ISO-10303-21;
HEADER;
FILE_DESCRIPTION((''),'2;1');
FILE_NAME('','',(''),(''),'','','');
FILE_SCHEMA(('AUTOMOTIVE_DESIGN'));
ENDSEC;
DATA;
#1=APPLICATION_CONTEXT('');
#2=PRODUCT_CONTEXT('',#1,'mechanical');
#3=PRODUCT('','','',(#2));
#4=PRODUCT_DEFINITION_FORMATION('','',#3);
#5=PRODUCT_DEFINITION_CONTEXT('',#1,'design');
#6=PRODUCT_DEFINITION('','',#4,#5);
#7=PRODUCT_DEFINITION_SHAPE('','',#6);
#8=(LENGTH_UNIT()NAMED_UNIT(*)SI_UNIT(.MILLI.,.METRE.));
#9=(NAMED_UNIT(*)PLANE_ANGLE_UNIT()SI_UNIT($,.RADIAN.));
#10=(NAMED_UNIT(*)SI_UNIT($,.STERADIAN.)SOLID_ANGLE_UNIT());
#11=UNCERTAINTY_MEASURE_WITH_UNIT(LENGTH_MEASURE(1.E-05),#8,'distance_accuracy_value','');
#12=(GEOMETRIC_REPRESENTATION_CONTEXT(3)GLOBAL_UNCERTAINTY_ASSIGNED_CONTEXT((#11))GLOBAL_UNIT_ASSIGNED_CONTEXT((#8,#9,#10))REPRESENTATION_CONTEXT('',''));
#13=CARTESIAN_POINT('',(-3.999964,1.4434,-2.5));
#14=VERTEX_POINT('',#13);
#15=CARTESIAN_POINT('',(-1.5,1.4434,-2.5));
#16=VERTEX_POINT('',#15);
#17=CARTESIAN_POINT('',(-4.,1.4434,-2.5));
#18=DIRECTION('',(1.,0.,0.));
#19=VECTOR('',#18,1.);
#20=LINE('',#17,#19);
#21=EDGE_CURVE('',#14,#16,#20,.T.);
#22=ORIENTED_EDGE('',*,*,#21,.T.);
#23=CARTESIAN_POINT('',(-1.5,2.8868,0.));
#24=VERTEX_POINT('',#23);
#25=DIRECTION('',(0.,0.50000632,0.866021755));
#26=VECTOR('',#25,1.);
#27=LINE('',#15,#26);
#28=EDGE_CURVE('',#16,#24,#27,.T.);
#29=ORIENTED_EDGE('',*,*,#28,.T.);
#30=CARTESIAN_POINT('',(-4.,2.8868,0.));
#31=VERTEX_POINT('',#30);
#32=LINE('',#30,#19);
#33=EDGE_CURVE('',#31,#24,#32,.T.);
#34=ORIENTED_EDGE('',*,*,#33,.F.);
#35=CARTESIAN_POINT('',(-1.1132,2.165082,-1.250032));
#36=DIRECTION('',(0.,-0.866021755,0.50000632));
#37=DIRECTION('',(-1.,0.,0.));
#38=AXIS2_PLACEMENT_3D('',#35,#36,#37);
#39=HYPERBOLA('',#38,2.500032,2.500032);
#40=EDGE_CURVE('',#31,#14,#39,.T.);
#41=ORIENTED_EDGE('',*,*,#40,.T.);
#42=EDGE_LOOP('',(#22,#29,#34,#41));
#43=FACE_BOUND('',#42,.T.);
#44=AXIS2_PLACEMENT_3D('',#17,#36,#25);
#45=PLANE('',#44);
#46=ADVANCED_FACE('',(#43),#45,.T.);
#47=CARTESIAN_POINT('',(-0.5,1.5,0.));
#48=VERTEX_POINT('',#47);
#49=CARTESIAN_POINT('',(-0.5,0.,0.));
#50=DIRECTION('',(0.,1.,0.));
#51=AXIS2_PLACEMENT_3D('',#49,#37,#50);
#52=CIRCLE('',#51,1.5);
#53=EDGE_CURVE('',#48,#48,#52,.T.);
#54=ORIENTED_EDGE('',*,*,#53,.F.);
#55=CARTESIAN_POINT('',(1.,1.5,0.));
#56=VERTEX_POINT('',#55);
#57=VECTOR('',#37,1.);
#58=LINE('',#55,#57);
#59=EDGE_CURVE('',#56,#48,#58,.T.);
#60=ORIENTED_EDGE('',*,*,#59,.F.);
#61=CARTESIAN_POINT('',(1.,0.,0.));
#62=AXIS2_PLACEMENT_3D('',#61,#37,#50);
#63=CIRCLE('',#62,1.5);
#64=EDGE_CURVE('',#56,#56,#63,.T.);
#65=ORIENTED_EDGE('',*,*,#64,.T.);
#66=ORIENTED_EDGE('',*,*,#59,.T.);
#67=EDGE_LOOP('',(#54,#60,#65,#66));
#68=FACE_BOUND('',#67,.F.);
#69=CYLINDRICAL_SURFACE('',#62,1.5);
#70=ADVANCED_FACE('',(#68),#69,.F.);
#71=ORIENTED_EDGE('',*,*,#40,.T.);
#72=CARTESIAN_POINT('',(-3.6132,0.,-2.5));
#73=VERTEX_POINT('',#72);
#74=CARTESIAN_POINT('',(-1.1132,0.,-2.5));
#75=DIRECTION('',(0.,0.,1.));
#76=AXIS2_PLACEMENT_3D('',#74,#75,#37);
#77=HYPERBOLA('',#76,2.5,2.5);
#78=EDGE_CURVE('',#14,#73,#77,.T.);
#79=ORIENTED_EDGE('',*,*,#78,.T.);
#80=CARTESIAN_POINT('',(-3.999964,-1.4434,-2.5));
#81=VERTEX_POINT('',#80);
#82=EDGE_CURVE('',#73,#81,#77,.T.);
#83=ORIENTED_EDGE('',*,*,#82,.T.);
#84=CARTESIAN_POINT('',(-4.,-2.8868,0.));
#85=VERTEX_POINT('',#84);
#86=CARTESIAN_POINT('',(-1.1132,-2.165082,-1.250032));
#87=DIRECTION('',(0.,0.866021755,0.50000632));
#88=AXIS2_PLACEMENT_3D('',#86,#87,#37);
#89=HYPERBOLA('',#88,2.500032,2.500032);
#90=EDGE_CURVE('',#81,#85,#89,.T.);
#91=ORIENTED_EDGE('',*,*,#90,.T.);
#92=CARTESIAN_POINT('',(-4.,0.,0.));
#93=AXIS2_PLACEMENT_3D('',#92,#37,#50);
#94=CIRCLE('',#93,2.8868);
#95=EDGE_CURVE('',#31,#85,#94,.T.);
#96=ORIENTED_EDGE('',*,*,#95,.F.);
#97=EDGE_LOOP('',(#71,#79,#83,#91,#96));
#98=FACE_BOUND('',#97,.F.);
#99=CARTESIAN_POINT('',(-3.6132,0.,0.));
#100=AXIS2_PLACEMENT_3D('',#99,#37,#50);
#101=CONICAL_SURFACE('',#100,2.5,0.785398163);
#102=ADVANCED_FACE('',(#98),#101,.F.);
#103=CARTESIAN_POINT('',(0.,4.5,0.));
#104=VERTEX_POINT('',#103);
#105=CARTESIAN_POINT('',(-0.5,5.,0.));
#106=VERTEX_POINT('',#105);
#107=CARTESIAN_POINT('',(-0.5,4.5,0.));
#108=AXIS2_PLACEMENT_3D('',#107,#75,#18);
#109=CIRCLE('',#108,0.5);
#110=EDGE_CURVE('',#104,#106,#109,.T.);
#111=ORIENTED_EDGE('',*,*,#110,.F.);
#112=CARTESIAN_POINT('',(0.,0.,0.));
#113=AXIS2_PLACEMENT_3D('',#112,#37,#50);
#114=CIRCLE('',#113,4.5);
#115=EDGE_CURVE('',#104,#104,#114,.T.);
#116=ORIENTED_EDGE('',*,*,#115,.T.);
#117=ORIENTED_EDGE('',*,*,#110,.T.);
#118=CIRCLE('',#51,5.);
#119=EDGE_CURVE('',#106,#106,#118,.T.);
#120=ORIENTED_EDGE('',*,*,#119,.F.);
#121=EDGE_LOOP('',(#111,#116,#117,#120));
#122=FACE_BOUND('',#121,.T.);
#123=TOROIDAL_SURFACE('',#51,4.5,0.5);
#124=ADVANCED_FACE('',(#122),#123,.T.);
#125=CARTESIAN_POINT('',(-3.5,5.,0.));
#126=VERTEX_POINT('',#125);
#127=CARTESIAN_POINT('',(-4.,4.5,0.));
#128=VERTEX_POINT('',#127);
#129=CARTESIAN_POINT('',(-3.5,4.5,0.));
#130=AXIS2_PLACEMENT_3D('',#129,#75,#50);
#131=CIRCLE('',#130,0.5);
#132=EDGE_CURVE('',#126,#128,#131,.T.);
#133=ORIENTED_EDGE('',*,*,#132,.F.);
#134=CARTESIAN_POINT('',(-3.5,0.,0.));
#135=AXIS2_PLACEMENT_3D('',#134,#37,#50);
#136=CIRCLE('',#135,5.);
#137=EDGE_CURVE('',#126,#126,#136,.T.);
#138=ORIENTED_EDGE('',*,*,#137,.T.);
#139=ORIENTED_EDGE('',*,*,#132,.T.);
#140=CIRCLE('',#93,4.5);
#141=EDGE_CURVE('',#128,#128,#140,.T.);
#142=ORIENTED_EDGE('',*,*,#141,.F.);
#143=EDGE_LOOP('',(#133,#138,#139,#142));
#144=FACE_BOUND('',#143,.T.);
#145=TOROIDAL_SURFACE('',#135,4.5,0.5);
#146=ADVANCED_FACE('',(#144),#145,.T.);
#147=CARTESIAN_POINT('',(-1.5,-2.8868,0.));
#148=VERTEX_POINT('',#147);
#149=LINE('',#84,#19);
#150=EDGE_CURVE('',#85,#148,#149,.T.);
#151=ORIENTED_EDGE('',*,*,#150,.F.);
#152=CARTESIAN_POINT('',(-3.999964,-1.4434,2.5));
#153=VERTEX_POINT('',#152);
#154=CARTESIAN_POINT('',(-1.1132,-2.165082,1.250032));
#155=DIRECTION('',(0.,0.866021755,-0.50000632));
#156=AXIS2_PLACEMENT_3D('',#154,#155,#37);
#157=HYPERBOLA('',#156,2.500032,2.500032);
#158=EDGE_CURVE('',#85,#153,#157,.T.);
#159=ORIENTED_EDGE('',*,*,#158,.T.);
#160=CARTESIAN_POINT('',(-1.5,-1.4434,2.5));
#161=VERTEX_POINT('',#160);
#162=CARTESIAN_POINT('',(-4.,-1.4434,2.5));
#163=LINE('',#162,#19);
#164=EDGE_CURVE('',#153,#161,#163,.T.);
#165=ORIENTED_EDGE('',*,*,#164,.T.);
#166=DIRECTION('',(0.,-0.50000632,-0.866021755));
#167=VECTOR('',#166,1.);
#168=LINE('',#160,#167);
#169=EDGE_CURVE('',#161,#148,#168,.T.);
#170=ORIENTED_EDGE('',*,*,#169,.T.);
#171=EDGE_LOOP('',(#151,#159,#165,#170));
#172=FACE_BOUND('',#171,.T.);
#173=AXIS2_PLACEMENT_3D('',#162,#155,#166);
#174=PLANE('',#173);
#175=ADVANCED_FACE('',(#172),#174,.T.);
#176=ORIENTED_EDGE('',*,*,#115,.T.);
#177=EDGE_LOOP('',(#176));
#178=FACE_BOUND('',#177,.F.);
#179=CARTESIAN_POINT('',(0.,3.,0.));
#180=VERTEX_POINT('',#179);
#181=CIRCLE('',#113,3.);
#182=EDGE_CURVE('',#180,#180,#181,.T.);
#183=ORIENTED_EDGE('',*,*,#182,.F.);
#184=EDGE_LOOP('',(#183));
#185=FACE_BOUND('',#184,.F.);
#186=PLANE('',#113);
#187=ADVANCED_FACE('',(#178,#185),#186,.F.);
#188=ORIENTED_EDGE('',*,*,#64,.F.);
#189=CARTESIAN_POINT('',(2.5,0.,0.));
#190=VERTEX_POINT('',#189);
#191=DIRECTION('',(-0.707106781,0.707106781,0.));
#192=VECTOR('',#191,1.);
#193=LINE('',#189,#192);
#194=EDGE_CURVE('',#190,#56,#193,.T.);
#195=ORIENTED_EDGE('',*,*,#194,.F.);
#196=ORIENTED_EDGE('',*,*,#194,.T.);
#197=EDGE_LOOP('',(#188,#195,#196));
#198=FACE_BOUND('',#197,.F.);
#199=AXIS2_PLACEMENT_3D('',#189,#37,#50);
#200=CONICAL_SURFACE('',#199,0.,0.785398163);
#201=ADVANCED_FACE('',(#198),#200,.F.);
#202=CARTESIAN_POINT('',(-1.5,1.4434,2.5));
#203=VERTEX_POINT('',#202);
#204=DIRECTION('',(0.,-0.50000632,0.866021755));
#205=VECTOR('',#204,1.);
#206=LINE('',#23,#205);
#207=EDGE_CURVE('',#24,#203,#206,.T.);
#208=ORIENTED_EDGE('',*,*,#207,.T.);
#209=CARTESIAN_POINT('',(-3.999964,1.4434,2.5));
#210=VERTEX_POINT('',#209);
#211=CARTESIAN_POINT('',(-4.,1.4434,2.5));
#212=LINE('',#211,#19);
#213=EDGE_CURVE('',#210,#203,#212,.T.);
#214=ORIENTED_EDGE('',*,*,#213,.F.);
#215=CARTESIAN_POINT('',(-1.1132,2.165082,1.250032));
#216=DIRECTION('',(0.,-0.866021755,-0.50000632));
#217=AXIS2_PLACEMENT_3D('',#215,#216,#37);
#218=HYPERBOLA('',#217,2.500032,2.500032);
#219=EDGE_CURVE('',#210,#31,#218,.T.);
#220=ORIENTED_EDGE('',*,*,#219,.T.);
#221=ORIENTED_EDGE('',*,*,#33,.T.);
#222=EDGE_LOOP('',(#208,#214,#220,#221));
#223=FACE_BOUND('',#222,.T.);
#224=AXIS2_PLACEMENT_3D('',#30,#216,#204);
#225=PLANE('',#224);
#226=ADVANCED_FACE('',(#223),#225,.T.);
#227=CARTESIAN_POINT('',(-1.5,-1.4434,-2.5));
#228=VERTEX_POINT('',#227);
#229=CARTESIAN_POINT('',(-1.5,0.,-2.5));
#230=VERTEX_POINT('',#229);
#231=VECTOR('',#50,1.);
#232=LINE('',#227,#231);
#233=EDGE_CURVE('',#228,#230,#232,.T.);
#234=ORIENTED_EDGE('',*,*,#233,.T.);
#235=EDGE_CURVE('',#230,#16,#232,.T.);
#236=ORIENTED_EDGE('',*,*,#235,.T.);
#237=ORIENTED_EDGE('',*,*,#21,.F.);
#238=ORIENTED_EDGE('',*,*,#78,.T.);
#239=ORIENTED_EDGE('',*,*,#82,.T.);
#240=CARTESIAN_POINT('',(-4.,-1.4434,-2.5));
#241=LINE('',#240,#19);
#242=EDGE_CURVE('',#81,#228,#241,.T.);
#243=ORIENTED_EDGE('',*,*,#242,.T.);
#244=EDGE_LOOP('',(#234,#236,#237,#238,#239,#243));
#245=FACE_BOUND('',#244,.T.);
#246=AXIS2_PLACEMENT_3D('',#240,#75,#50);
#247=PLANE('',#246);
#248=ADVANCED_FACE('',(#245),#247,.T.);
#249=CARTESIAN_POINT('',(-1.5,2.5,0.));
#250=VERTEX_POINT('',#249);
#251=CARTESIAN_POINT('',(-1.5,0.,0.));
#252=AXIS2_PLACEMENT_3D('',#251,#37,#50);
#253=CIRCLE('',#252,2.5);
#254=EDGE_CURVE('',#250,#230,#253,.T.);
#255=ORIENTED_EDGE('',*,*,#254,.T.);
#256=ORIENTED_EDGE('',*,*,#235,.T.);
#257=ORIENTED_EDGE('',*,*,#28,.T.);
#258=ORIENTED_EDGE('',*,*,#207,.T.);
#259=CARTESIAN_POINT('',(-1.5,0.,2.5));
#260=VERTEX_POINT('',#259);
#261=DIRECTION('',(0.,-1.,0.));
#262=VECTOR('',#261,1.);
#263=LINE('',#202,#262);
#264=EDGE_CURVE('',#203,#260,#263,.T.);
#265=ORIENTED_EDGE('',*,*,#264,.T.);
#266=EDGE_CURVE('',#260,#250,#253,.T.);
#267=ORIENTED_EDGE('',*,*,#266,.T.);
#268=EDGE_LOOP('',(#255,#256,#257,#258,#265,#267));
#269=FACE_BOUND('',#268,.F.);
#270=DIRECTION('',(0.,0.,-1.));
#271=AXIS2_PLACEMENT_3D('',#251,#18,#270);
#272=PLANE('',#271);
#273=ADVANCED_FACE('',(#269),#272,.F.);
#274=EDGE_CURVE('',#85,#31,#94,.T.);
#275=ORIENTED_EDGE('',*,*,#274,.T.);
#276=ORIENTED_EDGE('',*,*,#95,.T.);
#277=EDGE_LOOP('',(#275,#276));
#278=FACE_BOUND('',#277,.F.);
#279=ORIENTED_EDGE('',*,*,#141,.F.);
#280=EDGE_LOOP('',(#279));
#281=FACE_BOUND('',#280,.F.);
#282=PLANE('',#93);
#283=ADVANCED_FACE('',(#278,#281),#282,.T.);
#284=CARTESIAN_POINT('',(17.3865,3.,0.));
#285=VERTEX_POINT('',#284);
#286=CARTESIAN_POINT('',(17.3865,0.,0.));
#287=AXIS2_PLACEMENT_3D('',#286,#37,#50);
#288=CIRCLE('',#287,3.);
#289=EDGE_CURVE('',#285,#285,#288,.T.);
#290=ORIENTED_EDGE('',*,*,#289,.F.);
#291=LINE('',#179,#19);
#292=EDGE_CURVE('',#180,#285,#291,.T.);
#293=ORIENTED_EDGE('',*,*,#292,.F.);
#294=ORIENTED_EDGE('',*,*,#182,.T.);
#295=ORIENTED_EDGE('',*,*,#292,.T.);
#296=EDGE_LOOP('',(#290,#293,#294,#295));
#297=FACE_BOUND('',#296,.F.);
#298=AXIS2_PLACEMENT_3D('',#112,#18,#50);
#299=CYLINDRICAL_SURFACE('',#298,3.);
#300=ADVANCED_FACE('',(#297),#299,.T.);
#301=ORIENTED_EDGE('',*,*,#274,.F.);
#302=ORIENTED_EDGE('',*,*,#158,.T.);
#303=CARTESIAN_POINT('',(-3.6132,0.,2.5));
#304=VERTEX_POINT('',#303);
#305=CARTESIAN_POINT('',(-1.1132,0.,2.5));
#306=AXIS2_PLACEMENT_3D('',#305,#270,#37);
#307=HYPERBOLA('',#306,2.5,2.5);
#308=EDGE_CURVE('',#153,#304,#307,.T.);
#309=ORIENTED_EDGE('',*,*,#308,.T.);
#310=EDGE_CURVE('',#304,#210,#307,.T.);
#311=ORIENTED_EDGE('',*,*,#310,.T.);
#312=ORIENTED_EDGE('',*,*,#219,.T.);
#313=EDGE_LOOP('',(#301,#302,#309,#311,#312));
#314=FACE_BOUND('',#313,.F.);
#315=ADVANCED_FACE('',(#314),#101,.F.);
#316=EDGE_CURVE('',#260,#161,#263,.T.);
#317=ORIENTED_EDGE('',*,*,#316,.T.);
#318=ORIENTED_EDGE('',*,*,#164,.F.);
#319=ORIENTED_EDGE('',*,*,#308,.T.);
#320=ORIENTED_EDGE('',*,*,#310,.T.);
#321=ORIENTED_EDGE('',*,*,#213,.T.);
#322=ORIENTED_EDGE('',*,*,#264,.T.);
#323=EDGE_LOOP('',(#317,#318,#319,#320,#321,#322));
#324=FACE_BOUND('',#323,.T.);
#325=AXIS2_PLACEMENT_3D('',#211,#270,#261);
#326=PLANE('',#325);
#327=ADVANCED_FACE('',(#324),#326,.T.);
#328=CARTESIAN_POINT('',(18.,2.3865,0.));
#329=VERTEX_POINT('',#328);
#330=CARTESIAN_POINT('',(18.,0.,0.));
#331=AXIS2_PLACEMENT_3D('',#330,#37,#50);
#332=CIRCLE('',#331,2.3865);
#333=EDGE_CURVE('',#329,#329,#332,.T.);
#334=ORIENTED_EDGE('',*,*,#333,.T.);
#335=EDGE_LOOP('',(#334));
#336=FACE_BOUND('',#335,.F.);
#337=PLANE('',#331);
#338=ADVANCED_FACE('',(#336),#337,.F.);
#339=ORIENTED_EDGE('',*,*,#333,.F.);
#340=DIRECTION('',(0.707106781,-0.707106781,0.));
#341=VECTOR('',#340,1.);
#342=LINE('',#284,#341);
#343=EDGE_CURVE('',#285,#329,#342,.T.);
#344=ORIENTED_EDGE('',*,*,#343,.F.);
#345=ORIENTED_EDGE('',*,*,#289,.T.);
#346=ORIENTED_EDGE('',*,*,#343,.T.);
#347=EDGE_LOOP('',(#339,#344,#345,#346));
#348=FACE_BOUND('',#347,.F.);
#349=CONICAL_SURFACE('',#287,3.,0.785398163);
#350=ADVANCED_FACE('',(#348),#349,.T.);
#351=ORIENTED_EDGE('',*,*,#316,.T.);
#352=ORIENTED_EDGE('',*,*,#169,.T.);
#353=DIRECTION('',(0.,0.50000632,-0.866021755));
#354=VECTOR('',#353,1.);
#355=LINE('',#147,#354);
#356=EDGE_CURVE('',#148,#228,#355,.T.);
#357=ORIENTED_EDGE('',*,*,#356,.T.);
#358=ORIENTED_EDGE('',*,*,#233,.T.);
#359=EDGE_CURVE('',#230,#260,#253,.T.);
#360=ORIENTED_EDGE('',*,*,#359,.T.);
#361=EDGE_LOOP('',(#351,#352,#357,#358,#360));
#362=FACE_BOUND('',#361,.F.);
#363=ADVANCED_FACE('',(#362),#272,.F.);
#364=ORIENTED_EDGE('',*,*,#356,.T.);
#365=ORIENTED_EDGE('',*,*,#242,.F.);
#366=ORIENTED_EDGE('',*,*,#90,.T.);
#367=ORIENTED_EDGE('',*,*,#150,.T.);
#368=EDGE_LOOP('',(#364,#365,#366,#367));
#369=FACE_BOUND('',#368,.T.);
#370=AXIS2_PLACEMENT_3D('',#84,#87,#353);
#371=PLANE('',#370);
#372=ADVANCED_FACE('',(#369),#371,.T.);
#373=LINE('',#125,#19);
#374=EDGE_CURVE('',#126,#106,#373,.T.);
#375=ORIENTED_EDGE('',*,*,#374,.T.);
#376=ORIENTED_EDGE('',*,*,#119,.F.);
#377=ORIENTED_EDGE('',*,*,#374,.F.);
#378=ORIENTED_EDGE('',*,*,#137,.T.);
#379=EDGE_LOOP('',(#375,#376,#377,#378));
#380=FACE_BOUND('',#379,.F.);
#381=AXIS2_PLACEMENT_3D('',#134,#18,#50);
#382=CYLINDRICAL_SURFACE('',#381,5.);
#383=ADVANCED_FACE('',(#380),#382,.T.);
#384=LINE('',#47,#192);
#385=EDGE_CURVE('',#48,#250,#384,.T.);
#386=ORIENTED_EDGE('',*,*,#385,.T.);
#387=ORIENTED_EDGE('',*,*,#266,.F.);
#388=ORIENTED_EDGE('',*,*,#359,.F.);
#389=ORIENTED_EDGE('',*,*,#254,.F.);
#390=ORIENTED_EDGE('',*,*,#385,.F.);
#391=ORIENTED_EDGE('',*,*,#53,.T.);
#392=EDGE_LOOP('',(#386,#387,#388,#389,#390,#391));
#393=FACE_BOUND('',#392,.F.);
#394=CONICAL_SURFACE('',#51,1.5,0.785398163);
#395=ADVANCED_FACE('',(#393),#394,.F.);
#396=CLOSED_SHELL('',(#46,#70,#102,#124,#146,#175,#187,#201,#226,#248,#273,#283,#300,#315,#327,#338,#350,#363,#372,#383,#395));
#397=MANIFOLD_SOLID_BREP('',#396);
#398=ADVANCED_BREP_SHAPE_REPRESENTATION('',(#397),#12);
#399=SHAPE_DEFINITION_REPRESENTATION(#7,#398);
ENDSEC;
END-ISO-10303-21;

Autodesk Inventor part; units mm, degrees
sketch "Sketch_1" plane through (0, 0, 0) normal (0, 0, 1) x (1, 0, 0)
  line L0 (18, 0) -> (2.5, 0)
  line L1 (2.5, 0) -> (1, 1.5)
  line L2 (1, 1.5) -> (-0.5, 1.5)
  line L3 (-0.5, 1.5) -> (-1.5, 2.5)
  line L4 (-1.5, 2.5) -> (-3.6132, 2.5)
  line L5 (-3.6132, 2.5) -> (-4, 2.8868)
  line L6 (-4, 2.8868) -> (-4, 4.5)
  arc A0 (-3.5, 5) -> (-4, 4.5) centre (-3.5, 4.5) ccw
  line L7 (-3.5, 5) -> (-0.5, 5)
  arc A1 (0, 4.5) -> (-0.5, 5) centre (-0.5, 4.5) ccw
  line L8 (0, 4.5) -> (0, 3)
  line L9 (0, 3) -> (17.3865, 3)
  line L10 (17.3865, 3) -> (18, 2.3865)
  line L11 (18, 2.3865) -> (18, 0)
  line L12 (18, 0) -> (2.5, 0)
revolve "Revolution1" add sketch "Sketch_1" angle 360 about axis through (18, 0, 0) along (-1, 0, 0)
thread "Thread1" size "M6x1" class "6g" standard "ISO Metric profile" length 11.8865
sketch "Sketch_2" plane through (-4, 0, 0) normal (1, 0, 0) x (0, 0, -1)
  line L0 (-2.5, -1.4434) -> (0, -2.8868)
  line L1 (0, -2.8868) -> (2.5, -1.4434)
  line L2 (2.5, -1.4434) -> (2.5, 1.4434)
  line L3 (2.5, 1.4434) -> (0, 2.8868)
  line L4 (0, 2.8868) -> (-2.5, 1.4434)
  line L5 (-2.5, 1.4434) -> (-2.5, -1.4434)
extrude "Extrusion1" cut sketch "Sketch_2" along normal blind 2.5
ref_plane "MONTAGE_XY" through (0, 0, 0) normal (1, 0, 0) x (0, 0, -1)
ref_plane "MONTAGE_YZ" through (0, 0, 0) normal (0, 0, -1) x (0, 1, 0)
ref_plane "MONTAGE_ZX" through (0, 0, 0) normal (0, 1, 0) x (1, 0, 0)
ref_plane "Schrauben_punkt_XY" through (18, 0, 0) normal (-1, 0, 0) x (0, 0, -1)
ref_plane "Schrauben_punkt_YZ" through (18, 0, 0) normal (0, 0, -1) x (0, -1, 0)
ref_plane "Schrauben_punkt_ZX" through (18, 0, 0) normal (0, -1, 0) x (-1, 0, 0)
properties part number "DIN-6912 - M6x18(F)"
